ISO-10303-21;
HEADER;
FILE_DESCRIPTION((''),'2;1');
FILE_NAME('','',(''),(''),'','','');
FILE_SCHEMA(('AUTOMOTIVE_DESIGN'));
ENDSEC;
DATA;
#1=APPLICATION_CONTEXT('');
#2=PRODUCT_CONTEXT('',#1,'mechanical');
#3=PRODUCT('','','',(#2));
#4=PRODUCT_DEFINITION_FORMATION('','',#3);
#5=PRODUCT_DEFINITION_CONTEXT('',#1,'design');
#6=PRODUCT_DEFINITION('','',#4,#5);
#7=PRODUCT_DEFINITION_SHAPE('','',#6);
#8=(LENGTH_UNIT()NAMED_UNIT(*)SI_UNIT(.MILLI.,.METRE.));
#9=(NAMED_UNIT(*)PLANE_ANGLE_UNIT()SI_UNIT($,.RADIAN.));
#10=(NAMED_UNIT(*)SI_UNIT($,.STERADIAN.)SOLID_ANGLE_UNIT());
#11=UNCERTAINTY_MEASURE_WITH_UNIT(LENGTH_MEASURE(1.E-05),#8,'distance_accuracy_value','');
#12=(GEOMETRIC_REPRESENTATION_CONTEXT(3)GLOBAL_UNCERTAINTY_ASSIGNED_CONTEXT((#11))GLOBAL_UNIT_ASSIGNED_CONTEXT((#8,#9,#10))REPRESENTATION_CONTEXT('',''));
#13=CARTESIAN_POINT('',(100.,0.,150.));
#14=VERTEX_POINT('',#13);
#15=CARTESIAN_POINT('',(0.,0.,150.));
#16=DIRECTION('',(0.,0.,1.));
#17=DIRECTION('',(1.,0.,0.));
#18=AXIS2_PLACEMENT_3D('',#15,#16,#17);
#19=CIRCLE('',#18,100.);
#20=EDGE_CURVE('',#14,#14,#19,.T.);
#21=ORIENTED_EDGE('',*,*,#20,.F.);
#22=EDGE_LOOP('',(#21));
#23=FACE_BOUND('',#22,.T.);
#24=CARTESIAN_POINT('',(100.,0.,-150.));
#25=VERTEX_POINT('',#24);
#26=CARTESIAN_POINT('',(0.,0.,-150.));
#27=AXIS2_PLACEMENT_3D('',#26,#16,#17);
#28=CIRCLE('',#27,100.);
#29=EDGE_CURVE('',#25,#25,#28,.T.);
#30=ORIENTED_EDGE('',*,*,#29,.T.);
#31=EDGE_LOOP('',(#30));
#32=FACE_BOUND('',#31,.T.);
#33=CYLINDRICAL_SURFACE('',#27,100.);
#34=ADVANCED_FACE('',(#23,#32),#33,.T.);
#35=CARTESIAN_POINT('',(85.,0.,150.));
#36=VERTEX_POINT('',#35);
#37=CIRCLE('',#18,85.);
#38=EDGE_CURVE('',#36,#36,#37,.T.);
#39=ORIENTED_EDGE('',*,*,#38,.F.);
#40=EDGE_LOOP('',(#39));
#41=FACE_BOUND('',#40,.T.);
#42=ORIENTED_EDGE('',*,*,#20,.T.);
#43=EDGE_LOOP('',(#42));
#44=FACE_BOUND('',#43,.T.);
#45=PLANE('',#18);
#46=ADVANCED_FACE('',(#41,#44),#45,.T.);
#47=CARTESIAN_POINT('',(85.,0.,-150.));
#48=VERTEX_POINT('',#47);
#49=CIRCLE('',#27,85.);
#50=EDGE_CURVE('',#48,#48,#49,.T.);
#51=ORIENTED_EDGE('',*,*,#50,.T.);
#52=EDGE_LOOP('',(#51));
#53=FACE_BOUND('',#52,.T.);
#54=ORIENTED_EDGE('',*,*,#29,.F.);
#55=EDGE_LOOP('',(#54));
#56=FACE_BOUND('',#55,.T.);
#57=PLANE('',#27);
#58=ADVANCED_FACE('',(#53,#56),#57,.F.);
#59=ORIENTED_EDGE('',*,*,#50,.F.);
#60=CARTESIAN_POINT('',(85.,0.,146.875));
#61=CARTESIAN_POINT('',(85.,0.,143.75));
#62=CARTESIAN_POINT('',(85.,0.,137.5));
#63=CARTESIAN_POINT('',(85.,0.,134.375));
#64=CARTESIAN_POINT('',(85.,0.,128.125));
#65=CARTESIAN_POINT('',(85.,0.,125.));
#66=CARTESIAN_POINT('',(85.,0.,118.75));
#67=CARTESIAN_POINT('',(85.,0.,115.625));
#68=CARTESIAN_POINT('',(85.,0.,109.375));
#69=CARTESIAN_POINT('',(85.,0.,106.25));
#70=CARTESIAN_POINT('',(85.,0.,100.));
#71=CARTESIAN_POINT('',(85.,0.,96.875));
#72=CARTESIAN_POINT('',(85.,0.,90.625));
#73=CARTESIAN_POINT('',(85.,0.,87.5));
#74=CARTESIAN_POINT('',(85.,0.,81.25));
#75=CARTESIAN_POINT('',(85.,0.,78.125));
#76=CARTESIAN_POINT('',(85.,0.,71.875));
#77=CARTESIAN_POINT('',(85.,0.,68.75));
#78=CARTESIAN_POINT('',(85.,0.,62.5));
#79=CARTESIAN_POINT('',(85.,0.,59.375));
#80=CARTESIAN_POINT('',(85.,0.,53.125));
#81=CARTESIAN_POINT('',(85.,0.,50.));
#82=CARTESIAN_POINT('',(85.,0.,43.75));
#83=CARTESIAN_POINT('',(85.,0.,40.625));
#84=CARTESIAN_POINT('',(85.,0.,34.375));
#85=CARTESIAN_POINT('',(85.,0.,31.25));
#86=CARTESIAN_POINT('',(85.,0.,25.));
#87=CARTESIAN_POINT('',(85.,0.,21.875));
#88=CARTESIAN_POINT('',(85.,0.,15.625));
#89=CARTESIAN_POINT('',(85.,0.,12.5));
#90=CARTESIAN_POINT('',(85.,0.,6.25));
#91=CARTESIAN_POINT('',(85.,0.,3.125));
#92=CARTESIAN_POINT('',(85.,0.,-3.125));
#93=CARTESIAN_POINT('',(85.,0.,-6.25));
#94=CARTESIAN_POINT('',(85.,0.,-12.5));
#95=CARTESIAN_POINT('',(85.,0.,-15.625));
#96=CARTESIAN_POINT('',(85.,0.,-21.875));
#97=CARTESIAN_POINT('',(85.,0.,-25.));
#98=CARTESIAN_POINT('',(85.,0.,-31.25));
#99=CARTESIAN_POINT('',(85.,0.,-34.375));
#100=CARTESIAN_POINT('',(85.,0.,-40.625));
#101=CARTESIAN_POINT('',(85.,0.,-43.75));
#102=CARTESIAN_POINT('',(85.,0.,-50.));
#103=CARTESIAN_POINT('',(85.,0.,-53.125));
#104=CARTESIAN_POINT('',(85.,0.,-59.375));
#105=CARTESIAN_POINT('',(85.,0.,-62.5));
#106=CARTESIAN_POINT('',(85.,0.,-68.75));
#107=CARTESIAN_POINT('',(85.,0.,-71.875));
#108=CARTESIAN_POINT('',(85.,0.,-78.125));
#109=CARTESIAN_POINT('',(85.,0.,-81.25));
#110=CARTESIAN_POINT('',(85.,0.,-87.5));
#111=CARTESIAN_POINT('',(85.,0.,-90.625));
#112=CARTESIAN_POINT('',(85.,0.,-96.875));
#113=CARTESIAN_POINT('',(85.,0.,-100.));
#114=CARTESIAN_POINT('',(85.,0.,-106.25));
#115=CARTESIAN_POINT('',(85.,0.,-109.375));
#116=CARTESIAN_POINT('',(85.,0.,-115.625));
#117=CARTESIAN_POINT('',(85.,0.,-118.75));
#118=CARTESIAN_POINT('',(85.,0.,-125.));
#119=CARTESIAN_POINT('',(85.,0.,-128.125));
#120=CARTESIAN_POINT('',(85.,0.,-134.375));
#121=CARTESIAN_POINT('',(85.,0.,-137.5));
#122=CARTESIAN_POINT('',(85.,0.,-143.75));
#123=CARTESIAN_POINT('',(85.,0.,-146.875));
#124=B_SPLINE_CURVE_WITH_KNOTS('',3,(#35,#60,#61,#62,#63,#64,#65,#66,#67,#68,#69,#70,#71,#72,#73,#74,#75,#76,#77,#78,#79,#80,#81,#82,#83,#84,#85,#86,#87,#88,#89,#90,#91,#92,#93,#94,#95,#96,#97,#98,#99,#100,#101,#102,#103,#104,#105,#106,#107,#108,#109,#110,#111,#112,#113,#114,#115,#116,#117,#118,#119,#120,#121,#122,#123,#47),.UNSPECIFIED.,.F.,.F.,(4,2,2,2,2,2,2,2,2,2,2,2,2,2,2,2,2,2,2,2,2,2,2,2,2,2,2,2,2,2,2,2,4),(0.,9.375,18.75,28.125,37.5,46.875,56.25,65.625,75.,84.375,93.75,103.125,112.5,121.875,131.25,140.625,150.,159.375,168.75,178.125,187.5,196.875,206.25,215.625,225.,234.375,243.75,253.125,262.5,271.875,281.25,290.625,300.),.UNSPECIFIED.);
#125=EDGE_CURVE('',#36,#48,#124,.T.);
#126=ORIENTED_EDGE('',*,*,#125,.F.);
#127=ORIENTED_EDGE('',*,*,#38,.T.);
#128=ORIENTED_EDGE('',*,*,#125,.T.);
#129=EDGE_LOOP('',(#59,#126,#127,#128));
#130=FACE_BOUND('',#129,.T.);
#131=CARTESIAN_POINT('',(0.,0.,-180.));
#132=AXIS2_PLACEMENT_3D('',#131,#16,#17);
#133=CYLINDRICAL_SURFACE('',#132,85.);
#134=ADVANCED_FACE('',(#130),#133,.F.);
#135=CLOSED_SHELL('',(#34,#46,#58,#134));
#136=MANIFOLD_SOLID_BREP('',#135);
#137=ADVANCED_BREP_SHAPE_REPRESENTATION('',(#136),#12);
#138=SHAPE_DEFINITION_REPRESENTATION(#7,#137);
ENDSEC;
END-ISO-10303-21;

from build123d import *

# Parameters (mm, degrees)
BOSS_EXTRUDE1_DEPTH      = 150
BOSS_EXTRUDE1_DEPTH_BACK = 150
SKETCH1_R                = 100
SKETCH2_R                = 85
CUT_EXTRUDE1_DEPTH       = 330


with BuildPart() as part:
    # Sketch1 → Boss-Extrude1 (new, two sides: drawn at the far end of the back side and taken through both)
    with BuildSketch(Plane.XY.offset(-BOSS_EXTRUDE1_DEPTH_BACK)):
        Circle(SKETCH1_R)
    extrude(amount=BOSS_EXTRUDE1_DEPTH + BOSS_EXTRUDE1_DEPTH_BACK)

    # Sketch2 → Cut-Extrude1 (cut)
    with BuildSketch(Plane.XY.offset(150)):
        Circle(SKETCH2_R)
    extrude(amount=-CUT_EXTRUDE1_DEPTH, mode=Mode.SUBTRACT)


solid = part.part
